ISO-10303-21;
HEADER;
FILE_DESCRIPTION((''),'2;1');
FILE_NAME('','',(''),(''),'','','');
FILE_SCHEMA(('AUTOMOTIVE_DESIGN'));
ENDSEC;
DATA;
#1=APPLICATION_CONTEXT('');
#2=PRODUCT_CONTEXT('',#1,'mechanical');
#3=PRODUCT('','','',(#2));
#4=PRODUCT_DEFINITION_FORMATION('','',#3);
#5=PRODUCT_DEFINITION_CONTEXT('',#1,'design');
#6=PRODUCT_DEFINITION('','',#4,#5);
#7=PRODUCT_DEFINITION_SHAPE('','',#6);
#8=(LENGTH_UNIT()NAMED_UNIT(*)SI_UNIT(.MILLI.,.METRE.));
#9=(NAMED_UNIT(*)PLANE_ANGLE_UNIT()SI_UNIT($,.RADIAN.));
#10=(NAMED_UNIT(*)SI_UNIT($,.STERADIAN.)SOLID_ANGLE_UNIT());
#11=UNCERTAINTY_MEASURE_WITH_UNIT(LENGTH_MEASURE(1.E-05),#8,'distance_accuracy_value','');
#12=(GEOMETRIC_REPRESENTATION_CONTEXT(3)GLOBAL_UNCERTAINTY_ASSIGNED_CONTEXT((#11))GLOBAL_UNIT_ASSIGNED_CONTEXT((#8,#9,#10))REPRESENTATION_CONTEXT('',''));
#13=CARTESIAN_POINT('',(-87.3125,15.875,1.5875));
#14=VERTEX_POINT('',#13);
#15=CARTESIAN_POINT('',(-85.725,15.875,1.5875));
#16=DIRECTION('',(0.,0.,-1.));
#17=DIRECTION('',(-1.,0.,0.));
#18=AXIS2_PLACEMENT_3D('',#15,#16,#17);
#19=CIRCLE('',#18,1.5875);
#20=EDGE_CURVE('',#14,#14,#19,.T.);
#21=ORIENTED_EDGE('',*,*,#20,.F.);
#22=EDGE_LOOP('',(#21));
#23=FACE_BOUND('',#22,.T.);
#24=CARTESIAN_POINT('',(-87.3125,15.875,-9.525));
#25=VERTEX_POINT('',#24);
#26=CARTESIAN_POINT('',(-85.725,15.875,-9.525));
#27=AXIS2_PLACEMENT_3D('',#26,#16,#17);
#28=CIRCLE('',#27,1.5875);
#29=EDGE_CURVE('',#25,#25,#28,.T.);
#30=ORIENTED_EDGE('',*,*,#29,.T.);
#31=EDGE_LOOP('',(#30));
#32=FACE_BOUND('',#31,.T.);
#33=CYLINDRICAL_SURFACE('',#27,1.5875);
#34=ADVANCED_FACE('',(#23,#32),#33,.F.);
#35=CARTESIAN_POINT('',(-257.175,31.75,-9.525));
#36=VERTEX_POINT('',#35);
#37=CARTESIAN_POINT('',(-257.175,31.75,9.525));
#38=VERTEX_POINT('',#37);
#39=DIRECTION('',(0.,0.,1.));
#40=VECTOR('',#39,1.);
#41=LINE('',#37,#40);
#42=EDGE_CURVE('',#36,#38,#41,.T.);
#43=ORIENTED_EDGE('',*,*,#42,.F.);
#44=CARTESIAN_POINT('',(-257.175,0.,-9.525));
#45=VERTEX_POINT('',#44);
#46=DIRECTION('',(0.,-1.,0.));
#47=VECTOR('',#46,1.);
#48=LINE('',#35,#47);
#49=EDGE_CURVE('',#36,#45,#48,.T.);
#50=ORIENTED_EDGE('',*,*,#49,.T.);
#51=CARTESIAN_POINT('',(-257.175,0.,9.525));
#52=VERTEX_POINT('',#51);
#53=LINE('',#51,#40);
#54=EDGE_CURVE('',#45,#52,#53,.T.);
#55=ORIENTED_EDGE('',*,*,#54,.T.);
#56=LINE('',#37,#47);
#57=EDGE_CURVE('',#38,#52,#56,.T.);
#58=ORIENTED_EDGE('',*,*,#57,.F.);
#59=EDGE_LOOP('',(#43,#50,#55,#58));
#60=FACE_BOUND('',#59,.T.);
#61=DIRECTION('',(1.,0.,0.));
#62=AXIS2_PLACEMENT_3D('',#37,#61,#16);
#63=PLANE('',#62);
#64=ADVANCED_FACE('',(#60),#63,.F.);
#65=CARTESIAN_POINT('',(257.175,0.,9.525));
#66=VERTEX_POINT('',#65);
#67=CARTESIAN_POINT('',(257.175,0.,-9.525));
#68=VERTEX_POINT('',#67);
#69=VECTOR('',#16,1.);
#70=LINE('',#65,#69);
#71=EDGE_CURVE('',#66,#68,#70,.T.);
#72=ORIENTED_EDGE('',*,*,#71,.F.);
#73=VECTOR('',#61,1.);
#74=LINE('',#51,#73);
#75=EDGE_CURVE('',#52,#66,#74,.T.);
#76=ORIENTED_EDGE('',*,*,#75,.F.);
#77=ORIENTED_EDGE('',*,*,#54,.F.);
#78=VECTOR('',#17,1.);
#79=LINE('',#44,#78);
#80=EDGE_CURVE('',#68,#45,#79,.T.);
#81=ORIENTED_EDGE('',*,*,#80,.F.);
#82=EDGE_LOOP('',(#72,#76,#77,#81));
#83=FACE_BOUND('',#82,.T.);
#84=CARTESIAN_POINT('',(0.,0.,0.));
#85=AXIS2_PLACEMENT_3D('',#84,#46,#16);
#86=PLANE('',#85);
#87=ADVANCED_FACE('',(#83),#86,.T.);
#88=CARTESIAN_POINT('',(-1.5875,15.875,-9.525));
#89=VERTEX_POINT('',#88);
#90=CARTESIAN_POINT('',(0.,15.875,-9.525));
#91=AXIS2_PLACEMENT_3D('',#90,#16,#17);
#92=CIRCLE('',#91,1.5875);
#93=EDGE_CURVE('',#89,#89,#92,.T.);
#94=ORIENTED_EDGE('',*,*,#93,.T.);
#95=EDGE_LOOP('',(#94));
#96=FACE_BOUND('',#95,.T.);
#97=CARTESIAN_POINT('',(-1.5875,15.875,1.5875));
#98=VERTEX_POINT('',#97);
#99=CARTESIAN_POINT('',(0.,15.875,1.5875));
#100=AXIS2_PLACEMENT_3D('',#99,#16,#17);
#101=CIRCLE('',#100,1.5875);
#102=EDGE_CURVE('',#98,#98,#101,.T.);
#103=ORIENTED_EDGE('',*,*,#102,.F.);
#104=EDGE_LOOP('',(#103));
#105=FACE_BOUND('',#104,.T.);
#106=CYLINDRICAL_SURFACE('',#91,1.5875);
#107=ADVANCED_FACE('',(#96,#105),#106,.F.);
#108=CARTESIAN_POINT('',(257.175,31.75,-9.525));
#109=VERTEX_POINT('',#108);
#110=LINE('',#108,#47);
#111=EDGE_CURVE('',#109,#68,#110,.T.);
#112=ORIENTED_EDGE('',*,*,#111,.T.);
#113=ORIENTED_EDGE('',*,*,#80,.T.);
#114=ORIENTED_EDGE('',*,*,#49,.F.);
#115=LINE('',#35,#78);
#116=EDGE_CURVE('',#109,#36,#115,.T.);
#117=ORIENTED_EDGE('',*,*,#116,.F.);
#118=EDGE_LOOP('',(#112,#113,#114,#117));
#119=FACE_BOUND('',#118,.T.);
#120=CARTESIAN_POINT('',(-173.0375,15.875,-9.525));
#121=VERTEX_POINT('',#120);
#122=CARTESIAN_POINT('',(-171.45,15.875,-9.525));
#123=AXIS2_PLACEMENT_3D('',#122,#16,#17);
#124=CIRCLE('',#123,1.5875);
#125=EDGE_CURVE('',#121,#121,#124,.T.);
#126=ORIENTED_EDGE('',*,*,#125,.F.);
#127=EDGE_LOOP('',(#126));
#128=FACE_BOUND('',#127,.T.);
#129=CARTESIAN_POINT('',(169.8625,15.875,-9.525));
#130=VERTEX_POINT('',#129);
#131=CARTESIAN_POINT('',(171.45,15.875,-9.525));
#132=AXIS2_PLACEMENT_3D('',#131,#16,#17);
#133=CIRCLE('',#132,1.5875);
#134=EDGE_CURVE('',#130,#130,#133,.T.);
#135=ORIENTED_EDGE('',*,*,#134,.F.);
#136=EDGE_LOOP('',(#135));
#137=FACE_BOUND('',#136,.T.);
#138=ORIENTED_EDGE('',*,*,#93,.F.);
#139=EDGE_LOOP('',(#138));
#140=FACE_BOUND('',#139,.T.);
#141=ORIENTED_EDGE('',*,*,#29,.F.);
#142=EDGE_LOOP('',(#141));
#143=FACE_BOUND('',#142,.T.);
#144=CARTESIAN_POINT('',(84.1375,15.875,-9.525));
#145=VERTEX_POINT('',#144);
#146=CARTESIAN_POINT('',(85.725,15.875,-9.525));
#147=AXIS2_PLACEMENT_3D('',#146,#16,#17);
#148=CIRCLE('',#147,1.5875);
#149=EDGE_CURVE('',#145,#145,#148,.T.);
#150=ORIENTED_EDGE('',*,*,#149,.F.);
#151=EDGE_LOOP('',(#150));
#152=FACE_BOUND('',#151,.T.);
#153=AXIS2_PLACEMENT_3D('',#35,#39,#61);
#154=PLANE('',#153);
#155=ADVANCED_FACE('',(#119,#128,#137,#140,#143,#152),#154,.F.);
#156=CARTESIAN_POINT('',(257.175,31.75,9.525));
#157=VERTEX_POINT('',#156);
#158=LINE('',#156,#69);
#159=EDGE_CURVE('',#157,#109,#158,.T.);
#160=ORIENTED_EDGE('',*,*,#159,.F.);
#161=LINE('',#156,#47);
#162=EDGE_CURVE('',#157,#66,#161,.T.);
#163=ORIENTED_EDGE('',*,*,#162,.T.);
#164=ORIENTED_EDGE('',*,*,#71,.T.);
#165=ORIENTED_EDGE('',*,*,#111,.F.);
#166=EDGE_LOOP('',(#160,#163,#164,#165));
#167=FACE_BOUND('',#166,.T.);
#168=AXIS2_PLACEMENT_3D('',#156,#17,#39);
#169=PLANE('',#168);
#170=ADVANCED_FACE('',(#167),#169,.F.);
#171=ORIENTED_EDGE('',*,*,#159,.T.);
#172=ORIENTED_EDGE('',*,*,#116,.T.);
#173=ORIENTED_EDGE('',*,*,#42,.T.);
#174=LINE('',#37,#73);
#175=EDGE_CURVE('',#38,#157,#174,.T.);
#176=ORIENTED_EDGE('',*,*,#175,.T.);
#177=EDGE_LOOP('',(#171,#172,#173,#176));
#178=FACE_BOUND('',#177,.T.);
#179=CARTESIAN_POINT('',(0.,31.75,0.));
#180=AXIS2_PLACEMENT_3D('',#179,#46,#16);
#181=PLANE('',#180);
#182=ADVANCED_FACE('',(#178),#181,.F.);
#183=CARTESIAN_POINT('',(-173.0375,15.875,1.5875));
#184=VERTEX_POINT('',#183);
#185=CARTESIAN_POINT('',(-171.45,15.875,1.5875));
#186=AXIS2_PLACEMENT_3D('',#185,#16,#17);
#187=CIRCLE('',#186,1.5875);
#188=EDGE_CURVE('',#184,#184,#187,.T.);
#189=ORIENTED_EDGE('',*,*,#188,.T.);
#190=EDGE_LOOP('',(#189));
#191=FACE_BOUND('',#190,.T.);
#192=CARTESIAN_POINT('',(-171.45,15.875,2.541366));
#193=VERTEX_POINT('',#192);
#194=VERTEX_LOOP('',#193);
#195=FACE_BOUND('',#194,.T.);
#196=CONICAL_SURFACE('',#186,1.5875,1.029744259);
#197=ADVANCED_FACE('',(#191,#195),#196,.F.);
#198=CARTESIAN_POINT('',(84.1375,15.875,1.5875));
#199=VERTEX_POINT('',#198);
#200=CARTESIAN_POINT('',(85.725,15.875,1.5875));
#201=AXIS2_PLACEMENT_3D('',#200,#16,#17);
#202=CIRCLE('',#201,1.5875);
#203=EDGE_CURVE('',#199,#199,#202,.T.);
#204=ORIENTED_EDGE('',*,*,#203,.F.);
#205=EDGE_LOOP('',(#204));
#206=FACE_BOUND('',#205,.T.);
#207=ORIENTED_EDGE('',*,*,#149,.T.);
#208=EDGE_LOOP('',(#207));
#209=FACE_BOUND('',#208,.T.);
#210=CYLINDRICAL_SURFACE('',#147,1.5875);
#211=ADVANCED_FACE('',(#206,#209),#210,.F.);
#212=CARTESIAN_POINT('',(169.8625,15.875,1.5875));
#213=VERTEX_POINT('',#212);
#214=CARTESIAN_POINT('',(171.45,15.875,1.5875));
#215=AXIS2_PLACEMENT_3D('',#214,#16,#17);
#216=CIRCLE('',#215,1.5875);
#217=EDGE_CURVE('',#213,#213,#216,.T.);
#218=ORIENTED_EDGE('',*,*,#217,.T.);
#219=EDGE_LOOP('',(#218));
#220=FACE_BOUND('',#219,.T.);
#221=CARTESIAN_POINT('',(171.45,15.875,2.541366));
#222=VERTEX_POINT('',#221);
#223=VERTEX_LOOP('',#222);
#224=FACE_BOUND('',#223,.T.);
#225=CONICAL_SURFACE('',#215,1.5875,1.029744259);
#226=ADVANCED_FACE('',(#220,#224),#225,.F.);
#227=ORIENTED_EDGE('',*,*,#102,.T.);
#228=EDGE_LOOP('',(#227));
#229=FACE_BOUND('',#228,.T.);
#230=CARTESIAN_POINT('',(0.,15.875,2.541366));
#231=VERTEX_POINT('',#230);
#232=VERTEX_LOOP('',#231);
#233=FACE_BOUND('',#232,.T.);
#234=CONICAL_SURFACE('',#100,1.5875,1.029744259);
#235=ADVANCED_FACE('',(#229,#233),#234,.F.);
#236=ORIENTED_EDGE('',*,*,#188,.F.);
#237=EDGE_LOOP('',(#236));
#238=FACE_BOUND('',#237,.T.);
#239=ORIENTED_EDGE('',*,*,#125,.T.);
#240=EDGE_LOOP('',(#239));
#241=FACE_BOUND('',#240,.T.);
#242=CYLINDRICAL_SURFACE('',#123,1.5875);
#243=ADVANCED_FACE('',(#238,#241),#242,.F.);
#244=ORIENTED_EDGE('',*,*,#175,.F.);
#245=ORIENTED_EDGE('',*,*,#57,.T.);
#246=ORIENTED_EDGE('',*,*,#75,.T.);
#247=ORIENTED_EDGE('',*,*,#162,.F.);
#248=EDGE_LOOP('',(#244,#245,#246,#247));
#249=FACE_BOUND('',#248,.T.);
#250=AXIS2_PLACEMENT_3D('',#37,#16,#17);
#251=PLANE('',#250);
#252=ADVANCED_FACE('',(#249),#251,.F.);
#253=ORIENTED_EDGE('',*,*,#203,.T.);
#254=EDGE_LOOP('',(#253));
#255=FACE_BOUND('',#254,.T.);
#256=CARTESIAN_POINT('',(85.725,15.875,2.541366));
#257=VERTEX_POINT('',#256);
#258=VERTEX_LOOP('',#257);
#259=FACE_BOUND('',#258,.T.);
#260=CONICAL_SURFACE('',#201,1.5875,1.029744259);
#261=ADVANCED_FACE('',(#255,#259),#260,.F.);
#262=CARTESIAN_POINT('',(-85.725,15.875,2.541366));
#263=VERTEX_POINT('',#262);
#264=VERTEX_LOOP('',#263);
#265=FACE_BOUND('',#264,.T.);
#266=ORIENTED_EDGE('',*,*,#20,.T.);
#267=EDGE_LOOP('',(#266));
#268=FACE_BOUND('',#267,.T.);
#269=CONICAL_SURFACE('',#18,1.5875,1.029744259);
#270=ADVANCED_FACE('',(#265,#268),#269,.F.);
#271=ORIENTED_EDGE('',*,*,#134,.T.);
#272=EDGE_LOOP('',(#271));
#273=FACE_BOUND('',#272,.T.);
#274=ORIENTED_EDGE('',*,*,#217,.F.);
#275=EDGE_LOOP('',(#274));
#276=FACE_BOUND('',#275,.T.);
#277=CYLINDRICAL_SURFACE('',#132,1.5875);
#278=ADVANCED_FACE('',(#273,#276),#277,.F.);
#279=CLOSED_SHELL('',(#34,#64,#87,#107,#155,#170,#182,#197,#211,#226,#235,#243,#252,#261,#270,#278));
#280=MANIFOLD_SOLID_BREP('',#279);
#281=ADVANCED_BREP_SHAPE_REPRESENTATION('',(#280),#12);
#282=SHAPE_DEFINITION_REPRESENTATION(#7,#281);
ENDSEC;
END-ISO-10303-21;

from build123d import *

# Parameters (mm, degrees)
SKETCH1_W                        = 514.35
SKETCH1_H                        = 19.05
BOSS_EXTRUDE1_DEPTH              = 31.75
F_1_8_0_125_DIAMETER_HOLE1_D     = 3.175
F_1_8_0_125_DIAMETER_HOLE1_DEPTH = 11.1125
F_1_8_0_125_DIAMETER_HOLE1_TIP   = 0.953866233


with BuildPart() as part:
    # Sketch1 → Boss-Extrude1 (new body)
    with BuildSketch(Plane(origin=(0, 0, 0), x_dir=(1, 0, 0), z_dir=(0, 1, 0))):
        Rectangle(SKETCH1_W, SKETCH1_H)
    extrude(amount=BOSS_EXTRUDE1_DEPTH)

    # 1/8 (0.125) Diameter Hole1
    with Locations(Plane(origin=(0, 0, -9.525), x_dir=(-1, 0, 0), z_dir=(0, 0, -1))):
        with Locations((-171.45, 15.875), (-85.725, 15.875), (0, 15.875), (85.725, 15.875), (171.45, 15.875)):
            Hole(F_1_8_0_125_DIAMETER_HOLE1_D / 2, depth=F_1_8_0_125_DIAMETER_HOLE1_DEPTH)
            with Locations((0, 0, -(F_1_8_0_125_DIAMETER_HOLE1_DEPTH + F_1_8_0_125_DIAMETER_HOLE1_TIP / 2))):  # 118° drill point
                Cone(0, F_1_8_0_125_DIAMETER_HOLE1_D / 2, F_1_8_0_125_DIAMETER_HOLE1_TIP, mode=Mode.SUBTRACT)


solid = part.part
